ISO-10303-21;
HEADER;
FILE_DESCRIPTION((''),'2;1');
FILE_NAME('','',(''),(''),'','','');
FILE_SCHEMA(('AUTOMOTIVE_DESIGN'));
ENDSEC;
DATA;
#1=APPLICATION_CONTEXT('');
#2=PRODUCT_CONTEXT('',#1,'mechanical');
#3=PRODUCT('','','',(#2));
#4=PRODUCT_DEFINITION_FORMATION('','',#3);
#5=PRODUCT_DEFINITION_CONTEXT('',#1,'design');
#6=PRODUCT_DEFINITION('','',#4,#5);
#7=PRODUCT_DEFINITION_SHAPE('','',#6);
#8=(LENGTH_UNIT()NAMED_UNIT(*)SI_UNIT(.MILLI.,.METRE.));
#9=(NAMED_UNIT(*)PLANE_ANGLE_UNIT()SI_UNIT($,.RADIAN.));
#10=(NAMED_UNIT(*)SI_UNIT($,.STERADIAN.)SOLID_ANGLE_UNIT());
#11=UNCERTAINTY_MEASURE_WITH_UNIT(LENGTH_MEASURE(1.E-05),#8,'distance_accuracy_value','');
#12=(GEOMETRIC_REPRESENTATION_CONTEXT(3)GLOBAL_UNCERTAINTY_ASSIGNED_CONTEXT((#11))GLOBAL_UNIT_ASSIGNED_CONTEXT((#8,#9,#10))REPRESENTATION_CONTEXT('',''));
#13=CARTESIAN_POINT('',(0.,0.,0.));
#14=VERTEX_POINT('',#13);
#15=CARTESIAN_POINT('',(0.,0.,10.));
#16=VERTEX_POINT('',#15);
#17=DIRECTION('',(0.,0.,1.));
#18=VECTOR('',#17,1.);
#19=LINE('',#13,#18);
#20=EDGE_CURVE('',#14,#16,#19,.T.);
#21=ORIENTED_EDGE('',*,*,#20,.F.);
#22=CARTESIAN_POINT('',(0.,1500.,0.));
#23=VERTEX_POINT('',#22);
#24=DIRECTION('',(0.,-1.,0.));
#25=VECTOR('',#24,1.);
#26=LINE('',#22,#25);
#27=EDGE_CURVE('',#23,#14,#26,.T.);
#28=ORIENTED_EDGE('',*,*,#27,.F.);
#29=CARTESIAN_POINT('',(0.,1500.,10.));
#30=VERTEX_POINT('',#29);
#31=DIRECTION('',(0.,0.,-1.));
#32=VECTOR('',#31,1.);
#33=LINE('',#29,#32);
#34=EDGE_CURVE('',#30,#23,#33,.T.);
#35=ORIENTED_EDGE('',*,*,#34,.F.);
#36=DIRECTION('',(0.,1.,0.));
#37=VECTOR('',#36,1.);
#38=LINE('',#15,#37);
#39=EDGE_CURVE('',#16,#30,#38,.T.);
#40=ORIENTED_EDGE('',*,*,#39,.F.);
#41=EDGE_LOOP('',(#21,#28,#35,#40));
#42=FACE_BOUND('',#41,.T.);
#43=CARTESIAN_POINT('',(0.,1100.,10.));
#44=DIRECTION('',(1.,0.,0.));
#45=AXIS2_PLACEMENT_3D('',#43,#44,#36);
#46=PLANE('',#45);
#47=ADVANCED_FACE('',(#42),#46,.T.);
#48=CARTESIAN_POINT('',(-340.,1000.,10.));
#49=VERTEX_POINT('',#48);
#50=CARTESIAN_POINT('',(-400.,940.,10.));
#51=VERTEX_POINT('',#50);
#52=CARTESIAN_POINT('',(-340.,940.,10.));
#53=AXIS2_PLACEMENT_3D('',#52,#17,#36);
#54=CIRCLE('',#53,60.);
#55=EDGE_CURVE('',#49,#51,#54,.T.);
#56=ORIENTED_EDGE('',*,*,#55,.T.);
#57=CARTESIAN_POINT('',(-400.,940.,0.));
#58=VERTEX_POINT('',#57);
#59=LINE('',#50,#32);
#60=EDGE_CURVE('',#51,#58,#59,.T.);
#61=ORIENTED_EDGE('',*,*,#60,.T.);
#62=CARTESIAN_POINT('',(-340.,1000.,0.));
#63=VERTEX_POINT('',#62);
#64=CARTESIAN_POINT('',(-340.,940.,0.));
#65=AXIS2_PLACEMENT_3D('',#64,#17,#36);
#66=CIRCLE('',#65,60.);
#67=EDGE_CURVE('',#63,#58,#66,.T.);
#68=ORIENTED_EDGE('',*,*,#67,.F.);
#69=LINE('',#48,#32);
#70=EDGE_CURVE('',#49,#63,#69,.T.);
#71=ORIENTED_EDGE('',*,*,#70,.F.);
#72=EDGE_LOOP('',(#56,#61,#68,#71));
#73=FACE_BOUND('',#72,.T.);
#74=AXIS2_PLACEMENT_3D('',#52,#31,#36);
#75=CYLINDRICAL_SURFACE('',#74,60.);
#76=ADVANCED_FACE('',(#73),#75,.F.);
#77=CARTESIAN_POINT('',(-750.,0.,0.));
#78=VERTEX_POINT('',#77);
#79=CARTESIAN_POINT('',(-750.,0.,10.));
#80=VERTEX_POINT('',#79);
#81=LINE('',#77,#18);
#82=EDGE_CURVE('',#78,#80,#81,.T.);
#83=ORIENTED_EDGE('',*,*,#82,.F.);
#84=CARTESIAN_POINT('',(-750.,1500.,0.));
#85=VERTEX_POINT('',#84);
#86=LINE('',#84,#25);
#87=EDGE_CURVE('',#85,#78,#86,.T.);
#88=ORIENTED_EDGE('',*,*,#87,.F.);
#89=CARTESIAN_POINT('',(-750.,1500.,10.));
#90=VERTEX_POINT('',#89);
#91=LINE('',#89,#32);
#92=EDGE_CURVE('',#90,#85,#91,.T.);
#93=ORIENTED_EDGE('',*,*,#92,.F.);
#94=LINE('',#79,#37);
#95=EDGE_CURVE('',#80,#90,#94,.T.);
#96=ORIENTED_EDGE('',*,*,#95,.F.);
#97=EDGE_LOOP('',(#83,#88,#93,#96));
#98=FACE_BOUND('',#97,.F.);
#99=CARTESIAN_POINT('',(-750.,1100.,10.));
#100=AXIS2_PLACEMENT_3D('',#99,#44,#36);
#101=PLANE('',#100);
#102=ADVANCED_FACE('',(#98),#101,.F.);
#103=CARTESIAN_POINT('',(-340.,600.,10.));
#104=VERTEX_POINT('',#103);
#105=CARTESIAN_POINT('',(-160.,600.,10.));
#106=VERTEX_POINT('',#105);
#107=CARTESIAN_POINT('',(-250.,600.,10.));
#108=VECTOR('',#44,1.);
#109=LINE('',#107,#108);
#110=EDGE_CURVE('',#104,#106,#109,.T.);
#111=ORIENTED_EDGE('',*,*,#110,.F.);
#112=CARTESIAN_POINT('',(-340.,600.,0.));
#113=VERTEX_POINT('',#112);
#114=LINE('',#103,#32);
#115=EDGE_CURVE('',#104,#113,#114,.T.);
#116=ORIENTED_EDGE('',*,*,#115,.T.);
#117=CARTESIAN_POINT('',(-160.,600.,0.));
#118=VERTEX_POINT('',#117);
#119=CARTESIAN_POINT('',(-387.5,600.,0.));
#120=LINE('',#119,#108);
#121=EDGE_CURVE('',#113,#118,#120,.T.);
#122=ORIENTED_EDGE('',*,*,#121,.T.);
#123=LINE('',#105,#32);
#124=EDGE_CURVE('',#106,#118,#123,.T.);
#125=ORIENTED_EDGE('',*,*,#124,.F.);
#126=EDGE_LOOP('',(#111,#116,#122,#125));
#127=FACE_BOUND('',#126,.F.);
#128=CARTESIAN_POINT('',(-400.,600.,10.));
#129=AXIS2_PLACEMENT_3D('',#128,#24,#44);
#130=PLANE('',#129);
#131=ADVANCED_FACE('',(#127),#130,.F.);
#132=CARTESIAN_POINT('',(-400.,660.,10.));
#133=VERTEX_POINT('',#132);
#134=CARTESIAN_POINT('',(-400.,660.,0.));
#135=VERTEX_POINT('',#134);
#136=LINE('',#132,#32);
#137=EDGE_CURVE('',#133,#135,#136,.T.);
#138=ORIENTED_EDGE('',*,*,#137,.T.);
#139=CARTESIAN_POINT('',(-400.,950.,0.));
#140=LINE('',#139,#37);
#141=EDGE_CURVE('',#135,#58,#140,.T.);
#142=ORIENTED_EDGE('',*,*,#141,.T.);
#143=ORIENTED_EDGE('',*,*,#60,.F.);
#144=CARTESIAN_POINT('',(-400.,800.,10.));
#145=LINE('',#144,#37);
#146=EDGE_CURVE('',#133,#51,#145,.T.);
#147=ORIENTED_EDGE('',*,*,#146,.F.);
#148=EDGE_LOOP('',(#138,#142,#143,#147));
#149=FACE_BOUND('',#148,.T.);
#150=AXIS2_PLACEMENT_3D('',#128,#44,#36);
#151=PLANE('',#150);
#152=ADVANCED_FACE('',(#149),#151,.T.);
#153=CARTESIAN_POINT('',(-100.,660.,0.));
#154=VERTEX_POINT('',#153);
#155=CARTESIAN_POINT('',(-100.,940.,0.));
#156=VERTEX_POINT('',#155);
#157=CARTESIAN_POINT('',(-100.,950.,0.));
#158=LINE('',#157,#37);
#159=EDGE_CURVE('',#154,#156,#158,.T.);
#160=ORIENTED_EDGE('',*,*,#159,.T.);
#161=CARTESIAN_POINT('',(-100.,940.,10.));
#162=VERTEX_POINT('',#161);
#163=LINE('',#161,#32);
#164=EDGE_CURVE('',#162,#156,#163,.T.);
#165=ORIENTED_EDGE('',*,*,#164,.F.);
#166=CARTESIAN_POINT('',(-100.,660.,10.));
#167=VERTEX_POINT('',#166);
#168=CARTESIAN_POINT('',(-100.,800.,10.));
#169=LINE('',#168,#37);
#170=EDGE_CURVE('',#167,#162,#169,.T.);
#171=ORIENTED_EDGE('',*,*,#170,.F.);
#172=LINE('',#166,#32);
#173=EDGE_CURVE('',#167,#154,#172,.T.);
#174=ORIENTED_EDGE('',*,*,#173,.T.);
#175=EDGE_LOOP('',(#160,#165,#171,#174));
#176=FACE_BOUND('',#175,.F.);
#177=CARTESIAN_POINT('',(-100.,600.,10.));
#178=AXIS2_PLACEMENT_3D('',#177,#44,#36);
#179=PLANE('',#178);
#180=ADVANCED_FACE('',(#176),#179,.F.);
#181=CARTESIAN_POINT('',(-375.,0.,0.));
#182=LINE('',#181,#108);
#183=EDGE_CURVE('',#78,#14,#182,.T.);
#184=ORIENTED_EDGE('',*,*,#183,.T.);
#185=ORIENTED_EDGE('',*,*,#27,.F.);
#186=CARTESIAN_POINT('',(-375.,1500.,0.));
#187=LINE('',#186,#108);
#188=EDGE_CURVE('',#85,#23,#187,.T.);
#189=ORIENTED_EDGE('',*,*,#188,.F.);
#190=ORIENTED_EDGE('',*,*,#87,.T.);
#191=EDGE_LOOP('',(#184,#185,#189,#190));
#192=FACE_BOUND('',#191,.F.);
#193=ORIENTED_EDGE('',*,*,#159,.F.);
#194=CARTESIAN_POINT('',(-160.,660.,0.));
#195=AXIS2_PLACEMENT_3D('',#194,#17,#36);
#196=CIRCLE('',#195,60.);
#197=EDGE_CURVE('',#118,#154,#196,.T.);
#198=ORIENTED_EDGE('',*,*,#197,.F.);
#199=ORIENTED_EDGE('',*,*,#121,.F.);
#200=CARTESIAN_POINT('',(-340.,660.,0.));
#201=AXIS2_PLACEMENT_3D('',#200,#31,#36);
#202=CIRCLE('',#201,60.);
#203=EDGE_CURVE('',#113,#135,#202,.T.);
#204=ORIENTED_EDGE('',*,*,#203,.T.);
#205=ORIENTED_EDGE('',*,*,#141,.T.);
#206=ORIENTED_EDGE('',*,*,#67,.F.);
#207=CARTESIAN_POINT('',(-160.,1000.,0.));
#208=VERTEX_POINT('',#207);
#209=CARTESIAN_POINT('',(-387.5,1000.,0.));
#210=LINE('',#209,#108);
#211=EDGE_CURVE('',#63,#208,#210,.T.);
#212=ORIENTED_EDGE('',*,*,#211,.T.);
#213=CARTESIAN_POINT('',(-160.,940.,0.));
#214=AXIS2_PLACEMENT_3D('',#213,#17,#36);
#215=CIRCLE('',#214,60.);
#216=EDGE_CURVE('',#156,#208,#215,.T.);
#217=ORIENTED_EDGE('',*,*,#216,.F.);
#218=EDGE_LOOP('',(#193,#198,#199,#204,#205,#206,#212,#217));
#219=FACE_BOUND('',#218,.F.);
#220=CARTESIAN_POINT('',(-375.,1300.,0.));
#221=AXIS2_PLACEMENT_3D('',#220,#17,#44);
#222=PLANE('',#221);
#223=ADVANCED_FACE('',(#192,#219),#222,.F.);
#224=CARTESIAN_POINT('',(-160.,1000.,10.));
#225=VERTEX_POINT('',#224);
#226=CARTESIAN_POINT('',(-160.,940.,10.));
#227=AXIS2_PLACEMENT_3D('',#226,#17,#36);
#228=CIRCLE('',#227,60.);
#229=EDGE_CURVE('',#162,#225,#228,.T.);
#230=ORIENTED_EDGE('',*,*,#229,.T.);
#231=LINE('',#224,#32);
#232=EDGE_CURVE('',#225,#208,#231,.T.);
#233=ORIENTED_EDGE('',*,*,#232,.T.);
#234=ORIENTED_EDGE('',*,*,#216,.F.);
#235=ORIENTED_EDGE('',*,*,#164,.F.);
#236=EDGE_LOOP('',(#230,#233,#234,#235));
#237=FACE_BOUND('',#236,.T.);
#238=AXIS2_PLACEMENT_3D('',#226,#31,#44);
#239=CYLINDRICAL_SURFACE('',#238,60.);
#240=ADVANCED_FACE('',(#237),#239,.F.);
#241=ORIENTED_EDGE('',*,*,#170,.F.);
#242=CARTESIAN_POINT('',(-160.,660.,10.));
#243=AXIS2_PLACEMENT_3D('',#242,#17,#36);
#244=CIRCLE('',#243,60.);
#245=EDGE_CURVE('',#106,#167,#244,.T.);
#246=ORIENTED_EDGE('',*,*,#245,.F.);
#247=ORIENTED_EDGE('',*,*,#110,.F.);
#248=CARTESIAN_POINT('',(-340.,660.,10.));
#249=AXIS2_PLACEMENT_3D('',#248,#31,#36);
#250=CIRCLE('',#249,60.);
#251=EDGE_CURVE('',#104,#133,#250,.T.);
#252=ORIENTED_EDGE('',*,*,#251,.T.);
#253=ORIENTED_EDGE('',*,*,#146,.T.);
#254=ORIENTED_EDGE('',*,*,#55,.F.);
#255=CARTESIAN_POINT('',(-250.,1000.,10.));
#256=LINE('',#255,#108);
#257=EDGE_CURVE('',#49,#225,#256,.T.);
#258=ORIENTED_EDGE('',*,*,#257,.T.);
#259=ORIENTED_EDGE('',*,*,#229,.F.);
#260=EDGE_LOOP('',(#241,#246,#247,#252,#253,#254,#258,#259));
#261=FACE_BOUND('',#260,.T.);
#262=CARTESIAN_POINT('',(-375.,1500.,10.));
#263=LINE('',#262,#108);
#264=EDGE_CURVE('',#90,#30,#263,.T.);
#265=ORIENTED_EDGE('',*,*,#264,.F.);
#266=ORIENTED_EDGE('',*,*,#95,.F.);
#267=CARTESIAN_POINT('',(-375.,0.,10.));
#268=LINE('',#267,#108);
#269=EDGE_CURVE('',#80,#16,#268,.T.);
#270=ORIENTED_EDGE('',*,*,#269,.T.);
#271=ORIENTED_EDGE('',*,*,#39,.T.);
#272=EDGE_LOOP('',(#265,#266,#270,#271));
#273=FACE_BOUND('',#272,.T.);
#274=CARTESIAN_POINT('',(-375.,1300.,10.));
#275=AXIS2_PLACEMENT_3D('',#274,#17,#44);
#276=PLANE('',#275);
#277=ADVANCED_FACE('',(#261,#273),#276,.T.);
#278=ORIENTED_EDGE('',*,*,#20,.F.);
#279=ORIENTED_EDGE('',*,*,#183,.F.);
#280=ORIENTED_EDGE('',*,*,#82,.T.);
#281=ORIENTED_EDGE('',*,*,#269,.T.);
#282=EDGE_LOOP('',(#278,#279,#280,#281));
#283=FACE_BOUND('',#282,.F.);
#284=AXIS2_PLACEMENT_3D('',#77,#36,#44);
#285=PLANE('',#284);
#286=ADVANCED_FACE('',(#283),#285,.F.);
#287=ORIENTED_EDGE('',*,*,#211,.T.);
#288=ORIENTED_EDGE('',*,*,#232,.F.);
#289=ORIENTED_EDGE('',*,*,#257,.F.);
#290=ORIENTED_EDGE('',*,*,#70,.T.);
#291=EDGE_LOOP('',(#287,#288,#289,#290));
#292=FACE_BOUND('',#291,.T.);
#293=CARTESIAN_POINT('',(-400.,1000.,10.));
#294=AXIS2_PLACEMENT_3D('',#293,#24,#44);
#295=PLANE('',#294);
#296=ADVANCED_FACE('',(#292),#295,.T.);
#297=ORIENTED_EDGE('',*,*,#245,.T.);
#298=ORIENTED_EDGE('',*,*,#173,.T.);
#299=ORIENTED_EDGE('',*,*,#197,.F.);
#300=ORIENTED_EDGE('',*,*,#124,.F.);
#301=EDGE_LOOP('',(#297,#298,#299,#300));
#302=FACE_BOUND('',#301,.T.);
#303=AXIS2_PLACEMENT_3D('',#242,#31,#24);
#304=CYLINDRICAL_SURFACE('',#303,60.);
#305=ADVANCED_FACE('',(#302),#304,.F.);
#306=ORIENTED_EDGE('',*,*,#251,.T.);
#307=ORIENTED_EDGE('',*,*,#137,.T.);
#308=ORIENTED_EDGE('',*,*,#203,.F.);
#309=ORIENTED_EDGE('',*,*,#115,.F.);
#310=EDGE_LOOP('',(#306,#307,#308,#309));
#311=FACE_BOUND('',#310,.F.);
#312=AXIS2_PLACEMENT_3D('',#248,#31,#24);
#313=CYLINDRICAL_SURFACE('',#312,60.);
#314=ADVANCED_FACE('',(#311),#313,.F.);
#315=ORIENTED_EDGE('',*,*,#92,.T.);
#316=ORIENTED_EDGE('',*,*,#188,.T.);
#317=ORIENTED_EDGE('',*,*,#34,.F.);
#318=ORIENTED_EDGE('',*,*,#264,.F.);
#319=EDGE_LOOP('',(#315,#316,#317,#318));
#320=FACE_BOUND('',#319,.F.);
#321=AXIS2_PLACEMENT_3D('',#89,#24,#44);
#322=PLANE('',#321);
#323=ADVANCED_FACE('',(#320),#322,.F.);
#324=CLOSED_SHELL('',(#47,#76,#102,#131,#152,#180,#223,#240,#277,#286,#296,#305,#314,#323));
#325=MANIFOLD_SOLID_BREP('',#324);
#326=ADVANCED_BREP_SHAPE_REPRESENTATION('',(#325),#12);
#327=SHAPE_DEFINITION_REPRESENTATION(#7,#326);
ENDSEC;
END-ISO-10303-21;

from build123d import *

# Parameters (mm, degrees)
F0_W     = 750
F0_H     = 1100
F1_DEPTH = 10
F2_W     = 750
F2_H     = 400
F3_DEPTH = 10
F4_W     = 300
F4_H     = 400
F5_DEPTH = 25
F6_R     = 60


with BuildPart() as f1:
    # F0 (on Top) → F1 (new body)
    with BuildSketch(Plane.XY):
        with Locations((-375, 550)):
            Rectangle(F0_W, F0_H)
    extrude(amount=F1_DEPTH)

    # F2 (on face) → F3 (join)
    with BuildSketch(Plane.XY.offset(10)):
        with Locations((-375, 1300)):
            Rectangle(F2_W, F2_H)
    extrude(amount=-F3_DEPTH)

    # F4 (on face) → F5 (cut)
    with BuildSketch(Plane.XY.offset(10)):
        with Locations((-250, 800)):
            Rectangle(F4_W, F4_H)
    extrude(amount=-F5_DEPTH, mode=Mode.SUBTRACT)

    # F6
    f6_edges = [f1.edges().sort_by_distance(p)[0] for p in [
        (-400, 1000, 5),
        (-400, 600, 5),
        (-100, 1000, 5),
        (-100, 600, 5),
    ]]
    fillet(f6_edges, radius=F6_R)


solid = f1.part
